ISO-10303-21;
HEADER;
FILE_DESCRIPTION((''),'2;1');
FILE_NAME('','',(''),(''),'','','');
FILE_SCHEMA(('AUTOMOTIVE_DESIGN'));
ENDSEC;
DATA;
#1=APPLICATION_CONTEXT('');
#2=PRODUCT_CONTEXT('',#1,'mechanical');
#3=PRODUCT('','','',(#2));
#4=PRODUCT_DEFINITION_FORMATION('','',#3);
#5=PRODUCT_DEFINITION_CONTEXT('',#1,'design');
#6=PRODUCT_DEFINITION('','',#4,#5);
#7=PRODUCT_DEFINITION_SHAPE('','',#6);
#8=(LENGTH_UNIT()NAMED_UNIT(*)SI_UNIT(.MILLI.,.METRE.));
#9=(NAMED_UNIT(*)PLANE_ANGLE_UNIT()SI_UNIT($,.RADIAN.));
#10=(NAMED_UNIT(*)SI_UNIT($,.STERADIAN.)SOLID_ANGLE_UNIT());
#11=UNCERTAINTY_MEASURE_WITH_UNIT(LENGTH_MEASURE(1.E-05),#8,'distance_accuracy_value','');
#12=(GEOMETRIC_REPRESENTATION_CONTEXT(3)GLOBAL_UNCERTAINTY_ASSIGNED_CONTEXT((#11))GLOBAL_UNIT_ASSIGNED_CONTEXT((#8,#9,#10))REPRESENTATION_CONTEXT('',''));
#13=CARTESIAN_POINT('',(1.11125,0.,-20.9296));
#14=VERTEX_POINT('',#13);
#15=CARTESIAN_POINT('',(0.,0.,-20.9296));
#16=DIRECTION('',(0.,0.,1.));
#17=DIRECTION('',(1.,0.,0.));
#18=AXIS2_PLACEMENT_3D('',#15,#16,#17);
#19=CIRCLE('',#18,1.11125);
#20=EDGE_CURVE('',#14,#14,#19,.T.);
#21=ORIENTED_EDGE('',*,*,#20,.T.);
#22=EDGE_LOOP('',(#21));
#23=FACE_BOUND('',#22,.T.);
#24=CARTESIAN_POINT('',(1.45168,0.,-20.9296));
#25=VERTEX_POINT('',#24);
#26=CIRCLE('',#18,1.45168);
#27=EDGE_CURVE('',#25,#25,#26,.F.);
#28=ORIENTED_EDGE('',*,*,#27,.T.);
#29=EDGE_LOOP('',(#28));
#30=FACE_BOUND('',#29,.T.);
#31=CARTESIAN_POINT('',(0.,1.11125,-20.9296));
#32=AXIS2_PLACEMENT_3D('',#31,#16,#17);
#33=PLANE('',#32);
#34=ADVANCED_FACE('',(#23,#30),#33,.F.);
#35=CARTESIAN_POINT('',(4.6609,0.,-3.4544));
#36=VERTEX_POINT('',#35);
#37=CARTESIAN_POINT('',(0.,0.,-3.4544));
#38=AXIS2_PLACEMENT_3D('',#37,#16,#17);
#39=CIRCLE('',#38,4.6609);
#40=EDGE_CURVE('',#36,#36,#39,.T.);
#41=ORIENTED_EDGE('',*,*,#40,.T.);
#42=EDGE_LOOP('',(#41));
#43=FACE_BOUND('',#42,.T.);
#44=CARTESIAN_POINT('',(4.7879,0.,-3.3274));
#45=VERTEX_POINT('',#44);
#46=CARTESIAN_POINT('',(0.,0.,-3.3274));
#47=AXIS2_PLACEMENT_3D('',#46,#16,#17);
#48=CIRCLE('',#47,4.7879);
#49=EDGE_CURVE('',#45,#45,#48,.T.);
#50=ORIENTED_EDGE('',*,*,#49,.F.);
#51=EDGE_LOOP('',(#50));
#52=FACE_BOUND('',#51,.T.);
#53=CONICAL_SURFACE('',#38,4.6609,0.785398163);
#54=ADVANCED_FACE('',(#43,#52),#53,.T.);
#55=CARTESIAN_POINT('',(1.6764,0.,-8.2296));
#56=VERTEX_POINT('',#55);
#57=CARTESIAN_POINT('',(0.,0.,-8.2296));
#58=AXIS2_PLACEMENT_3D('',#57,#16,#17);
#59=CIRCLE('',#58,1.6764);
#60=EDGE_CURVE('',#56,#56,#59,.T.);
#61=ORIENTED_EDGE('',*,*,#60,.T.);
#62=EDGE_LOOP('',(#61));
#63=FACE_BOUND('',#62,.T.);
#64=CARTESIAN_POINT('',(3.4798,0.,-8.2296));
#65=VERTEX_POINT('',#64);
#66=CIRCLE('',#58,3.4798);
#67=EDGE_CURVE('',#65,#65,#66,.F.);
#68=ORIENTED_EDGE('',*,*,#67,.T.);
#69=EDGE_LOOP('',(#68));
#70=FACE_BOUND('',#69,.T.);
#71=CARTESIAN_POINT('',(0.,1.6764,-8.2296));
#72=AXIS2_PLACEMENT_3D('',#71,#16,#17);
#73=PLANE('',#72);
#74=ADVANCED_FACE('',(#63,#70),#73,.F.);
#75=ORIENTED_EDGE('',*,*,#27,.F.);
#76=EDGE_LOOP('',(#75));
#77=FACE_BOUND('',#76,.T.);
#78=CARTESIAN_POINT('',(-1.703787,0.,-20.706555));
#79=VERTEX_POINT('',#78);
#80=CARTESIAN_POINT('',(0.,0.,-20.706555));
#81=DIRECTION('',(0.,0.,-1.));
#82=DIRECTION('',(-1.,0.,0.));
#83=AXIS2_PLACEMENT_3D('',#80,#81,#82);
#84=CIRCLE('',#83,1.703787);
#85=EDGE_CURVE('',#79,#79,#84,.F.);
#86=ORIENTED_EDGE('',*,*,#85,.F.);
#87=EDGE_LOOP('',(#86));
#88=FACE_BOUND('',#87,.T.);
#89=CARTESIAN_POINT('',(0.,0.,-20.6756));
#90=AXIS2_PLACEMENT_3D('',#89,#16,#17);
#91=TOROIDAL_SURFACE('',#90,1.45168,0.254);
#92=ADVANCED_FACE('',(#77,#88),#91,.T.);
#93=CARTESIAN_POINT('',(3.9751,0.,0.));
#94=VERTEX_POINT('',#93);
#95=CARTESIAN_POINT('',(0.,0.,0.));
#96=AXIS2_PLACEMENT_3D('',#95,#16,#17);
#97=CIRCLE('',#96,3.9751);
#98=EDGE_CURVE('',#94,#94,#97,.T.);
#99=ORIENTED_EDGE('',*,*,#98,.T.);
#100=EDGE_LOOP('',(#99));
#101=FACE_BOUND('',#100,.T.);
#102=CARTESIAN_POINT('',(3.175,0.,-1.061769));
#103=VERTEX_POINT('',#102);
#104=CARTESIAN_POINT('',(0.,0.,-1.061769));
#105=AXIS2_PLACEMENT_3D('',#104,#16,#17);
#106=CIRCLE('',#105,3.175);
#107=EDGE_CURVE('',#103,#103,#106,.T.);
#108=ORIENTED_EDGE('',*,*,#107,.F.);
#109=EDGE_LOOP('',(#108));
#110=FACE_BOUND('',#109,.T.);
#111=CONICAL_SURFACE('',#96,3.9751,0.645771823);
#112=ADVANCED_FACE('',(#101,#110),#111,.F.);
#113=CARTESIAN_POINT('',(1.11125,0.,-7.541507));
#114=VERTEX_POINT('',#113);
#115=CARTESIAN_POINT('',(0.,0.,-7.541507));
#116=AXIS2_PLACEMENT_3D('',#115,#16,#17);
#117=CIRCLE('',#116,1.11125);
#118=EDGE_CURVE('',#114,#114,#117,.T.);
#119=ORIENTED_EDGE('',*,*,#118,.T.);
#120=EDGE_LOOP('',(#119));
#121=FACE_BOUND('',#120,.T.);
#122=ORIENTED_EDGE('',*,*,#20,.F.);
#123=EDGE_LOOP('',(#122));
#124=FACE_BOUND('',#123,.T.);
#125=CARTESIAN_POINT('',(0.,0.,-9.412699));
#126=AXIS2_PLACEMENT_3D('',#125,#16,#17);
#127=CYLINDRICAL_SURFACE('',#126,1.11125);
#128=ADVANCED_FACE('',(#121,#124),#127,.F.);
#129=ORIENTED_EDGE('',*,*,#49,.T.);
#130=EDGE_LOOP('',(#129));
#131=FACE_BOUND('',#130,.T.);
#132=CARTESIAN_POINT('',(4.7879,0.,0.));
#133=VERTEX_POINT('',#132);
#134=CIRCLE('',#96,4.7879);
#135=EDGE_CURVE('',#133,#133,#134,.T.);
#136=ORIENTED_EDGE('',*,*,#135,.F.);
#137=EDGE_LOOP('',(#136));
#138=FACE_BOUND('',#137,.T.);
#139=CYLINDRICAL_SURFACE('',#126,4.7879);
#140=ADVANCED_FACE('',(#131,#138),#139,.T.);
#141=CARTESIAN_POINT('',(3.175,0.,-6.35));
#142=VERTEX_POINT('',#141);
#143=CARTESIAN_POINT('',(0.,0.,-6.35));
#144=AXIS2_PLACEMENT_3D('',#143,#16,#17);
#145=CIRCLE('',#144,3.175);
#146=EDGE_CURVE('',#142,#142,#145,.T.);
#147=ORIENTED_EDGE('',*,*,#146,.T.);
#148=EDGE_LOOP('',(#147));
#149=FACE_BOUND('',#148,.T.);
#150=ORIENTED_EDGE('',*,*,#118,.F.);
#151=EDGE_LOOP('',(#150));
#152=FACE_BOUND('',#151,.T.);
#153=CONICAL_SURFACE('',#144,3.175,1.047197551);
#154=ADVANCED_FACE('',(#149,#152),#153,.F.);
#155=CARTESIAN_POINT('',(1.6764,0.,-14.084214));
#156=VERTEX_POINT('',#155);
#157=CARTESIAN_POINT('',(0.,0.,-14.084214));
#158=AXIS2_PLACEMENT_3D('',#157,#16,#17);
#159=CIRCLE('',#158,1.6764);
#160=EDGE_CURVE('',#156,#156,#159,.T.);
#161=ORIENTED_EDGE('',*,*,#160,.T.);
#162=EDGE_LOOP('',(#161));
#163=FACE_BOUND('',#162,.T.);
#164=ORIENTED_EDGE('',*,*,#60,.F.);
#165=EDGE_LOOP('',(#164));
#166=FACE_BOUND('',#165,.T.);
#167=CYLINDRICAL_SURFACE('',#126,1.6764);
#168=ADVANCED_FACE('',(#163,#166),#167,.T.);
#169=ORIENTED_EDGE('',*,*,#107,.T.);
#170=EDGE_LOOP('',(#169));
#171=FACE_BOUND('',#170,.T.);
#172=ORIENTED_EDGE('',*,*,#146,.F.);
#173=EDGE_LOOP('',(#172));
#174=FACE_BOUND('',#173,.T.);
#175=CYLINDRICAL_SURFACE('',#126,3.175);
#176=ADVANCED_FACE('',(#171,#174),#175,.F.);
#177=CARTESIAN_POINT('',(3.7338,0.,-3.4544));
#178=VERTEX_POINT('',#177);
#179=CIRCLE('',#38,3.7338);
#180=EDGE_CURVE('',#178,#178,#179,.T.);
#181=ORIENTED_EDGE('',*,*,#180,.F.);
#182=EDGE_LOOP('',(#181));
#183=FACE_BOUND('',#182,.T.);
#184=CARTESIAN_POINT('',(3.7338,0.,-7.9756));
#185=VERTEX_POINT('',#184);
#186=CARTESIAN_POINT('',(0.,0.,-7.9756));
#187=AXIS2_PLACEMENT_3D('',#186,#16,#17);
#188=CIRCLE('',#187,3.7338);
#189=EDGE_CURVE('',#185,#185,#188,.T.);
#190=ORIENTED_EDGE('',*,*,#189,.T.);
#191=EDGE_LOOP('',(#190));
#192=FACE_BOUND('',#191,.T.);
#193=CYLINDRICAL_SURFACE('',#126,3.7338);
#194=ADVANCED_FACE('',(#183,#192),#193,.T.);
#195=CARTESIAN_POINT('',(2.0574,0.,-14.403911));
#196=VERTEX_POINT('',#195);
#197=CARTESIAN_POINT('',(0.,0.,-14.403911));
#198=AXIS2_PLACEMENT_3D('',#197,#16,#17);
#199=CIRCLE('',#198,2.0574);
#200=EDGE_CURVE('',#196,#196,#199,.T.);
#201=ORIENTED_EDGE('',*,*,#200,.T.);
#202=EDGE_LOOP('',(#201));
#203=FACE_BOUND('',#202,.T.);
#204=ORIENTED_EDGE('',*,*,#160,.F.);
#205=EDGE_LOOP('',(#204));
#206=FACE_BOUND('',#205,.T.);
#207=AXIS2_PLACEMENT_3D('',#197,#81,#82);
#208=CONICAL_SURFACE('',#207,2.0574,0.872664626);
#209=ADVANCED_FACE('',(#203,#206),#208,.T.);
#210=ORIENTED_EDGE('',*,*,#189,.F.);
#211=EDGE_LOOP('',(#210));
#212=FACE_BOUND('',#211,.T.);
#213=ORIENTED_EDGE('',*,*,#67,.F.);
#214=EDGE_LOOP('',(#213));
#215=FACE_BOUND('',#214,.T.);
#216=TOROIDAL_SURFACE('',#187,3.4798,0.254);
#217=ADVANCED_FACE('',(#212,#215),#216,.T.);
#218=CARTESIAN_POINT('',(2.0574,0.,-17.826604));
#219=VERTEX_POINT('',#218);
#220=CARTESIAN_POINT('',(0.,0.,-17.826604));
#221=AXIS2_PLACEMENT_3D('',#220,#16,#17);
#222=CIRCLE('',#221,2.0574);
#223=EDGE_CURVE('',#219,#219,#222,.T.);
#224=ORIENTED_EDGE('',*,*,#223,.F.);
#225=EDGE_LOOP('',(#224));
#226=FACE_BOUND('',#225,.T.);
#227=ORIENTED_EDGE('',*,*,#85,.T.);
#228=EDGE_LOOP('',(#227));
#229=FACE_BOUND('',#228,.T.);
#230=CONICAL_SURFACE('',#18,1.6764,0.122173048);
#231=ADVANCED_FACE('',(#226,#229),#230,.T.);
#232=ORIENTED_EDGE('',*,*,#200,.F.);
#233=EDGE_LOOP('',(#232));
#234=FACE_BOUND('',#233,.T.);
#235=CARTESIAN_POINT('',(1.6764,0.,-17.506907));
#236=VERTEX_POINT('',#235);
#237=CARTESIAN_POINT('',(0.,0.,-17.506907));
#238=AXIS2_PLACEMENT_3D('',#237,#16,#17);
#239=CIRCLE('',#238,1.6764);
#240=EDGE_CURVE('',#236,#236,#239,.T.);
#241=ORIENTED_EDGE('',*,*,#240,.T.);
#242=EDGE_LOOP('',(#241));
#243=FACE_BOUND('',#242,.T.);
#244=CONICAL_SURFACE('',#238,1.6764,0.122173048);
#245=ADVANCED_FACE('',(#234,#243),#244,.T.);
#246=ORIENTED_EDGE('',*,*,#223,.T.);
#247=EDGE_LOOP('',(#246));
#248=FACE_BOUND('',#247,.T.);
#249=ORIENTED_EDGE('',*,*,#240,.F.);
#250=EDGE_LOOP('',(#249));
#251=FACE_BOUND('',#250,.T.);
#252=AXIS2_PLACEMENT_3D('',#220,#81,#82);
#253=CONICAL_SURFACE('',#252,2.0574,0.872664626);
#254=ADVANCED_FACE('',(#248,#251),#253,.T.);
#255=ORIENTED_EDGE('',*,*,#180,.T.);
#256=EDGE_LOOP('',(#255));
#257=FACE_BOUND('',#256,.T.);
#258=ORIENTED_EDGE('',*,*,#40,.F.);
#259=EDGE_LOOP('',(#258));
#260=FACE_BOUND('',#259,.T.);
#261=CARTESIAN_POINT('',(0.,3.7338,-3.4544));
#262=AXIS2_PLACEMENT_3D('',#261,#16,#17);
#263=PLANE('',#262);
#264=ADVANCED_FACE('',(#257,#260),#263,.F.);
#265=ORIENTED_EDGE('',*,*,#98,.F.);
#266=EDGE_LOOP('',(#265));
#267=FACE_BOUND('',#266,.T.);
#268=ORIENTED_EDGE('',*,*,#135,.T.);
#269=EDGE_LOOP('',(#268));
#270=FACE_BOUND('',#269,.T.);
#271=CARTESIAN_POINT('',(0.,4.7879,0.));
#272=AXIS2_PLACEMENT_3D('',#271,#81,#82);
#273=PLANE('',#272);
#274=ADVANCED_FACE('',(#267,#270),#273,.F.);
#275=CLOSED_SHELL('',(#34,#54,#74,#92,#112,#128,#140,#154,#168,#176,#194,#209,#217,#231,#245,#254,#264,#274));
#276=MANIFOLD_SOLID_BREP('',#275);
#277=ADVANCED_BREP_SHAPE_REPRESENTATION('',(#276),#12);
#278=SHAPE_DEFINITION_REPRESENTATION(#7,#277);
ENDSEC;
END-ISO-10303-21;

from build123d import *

# Parameters (mm, degrees)
FILLET2_R = 0.254


with BuildPart() as part:
    # Sketch1 → Revolve1 (revolve)
    with BuildSketch(Plane(origin=(0, 0, 0), x_dir=(0, 0, -1), z_dir=(1, 0, 0)), mode=Mode.PRIVATE) as revolve1_sk:
        Polygon((7.541506618, 1.11125), (20.9296, 1.11125), (20.9296, 1.6764), (17.826604011, 2.0574), (17.506907051, 1.6764), (14.403911062, 2.0574), (14.084214103, 1.6764), (8.2296, 1.6764), (8.2296, 3.7338), (3.4544, 3.7338), (3.4544, 4.6609), (3.3274, 4.7879), (0, 4.7879), (0, 3.9751), (1.061768562, 3.175), (6.35, 3.175), align=None)
    revolve(revolve1_sk.sketch.rotate(Axis((0, 0, -9.412698919), (0, 0, -1)), 90), axis=Axis((0, 0, -9.412698919), (0, 0, -1)))

    # Fillet2
    fillet2_edges = [part.edges().sort_by_distance(p)[0] for p in [
        (-3.7338, 0, -8.2296),
        (-1.6764, 0, -20.9296),
    ]]
    fillet(fillet2_edges, radius=FILLET2_R)


solid = part.part
